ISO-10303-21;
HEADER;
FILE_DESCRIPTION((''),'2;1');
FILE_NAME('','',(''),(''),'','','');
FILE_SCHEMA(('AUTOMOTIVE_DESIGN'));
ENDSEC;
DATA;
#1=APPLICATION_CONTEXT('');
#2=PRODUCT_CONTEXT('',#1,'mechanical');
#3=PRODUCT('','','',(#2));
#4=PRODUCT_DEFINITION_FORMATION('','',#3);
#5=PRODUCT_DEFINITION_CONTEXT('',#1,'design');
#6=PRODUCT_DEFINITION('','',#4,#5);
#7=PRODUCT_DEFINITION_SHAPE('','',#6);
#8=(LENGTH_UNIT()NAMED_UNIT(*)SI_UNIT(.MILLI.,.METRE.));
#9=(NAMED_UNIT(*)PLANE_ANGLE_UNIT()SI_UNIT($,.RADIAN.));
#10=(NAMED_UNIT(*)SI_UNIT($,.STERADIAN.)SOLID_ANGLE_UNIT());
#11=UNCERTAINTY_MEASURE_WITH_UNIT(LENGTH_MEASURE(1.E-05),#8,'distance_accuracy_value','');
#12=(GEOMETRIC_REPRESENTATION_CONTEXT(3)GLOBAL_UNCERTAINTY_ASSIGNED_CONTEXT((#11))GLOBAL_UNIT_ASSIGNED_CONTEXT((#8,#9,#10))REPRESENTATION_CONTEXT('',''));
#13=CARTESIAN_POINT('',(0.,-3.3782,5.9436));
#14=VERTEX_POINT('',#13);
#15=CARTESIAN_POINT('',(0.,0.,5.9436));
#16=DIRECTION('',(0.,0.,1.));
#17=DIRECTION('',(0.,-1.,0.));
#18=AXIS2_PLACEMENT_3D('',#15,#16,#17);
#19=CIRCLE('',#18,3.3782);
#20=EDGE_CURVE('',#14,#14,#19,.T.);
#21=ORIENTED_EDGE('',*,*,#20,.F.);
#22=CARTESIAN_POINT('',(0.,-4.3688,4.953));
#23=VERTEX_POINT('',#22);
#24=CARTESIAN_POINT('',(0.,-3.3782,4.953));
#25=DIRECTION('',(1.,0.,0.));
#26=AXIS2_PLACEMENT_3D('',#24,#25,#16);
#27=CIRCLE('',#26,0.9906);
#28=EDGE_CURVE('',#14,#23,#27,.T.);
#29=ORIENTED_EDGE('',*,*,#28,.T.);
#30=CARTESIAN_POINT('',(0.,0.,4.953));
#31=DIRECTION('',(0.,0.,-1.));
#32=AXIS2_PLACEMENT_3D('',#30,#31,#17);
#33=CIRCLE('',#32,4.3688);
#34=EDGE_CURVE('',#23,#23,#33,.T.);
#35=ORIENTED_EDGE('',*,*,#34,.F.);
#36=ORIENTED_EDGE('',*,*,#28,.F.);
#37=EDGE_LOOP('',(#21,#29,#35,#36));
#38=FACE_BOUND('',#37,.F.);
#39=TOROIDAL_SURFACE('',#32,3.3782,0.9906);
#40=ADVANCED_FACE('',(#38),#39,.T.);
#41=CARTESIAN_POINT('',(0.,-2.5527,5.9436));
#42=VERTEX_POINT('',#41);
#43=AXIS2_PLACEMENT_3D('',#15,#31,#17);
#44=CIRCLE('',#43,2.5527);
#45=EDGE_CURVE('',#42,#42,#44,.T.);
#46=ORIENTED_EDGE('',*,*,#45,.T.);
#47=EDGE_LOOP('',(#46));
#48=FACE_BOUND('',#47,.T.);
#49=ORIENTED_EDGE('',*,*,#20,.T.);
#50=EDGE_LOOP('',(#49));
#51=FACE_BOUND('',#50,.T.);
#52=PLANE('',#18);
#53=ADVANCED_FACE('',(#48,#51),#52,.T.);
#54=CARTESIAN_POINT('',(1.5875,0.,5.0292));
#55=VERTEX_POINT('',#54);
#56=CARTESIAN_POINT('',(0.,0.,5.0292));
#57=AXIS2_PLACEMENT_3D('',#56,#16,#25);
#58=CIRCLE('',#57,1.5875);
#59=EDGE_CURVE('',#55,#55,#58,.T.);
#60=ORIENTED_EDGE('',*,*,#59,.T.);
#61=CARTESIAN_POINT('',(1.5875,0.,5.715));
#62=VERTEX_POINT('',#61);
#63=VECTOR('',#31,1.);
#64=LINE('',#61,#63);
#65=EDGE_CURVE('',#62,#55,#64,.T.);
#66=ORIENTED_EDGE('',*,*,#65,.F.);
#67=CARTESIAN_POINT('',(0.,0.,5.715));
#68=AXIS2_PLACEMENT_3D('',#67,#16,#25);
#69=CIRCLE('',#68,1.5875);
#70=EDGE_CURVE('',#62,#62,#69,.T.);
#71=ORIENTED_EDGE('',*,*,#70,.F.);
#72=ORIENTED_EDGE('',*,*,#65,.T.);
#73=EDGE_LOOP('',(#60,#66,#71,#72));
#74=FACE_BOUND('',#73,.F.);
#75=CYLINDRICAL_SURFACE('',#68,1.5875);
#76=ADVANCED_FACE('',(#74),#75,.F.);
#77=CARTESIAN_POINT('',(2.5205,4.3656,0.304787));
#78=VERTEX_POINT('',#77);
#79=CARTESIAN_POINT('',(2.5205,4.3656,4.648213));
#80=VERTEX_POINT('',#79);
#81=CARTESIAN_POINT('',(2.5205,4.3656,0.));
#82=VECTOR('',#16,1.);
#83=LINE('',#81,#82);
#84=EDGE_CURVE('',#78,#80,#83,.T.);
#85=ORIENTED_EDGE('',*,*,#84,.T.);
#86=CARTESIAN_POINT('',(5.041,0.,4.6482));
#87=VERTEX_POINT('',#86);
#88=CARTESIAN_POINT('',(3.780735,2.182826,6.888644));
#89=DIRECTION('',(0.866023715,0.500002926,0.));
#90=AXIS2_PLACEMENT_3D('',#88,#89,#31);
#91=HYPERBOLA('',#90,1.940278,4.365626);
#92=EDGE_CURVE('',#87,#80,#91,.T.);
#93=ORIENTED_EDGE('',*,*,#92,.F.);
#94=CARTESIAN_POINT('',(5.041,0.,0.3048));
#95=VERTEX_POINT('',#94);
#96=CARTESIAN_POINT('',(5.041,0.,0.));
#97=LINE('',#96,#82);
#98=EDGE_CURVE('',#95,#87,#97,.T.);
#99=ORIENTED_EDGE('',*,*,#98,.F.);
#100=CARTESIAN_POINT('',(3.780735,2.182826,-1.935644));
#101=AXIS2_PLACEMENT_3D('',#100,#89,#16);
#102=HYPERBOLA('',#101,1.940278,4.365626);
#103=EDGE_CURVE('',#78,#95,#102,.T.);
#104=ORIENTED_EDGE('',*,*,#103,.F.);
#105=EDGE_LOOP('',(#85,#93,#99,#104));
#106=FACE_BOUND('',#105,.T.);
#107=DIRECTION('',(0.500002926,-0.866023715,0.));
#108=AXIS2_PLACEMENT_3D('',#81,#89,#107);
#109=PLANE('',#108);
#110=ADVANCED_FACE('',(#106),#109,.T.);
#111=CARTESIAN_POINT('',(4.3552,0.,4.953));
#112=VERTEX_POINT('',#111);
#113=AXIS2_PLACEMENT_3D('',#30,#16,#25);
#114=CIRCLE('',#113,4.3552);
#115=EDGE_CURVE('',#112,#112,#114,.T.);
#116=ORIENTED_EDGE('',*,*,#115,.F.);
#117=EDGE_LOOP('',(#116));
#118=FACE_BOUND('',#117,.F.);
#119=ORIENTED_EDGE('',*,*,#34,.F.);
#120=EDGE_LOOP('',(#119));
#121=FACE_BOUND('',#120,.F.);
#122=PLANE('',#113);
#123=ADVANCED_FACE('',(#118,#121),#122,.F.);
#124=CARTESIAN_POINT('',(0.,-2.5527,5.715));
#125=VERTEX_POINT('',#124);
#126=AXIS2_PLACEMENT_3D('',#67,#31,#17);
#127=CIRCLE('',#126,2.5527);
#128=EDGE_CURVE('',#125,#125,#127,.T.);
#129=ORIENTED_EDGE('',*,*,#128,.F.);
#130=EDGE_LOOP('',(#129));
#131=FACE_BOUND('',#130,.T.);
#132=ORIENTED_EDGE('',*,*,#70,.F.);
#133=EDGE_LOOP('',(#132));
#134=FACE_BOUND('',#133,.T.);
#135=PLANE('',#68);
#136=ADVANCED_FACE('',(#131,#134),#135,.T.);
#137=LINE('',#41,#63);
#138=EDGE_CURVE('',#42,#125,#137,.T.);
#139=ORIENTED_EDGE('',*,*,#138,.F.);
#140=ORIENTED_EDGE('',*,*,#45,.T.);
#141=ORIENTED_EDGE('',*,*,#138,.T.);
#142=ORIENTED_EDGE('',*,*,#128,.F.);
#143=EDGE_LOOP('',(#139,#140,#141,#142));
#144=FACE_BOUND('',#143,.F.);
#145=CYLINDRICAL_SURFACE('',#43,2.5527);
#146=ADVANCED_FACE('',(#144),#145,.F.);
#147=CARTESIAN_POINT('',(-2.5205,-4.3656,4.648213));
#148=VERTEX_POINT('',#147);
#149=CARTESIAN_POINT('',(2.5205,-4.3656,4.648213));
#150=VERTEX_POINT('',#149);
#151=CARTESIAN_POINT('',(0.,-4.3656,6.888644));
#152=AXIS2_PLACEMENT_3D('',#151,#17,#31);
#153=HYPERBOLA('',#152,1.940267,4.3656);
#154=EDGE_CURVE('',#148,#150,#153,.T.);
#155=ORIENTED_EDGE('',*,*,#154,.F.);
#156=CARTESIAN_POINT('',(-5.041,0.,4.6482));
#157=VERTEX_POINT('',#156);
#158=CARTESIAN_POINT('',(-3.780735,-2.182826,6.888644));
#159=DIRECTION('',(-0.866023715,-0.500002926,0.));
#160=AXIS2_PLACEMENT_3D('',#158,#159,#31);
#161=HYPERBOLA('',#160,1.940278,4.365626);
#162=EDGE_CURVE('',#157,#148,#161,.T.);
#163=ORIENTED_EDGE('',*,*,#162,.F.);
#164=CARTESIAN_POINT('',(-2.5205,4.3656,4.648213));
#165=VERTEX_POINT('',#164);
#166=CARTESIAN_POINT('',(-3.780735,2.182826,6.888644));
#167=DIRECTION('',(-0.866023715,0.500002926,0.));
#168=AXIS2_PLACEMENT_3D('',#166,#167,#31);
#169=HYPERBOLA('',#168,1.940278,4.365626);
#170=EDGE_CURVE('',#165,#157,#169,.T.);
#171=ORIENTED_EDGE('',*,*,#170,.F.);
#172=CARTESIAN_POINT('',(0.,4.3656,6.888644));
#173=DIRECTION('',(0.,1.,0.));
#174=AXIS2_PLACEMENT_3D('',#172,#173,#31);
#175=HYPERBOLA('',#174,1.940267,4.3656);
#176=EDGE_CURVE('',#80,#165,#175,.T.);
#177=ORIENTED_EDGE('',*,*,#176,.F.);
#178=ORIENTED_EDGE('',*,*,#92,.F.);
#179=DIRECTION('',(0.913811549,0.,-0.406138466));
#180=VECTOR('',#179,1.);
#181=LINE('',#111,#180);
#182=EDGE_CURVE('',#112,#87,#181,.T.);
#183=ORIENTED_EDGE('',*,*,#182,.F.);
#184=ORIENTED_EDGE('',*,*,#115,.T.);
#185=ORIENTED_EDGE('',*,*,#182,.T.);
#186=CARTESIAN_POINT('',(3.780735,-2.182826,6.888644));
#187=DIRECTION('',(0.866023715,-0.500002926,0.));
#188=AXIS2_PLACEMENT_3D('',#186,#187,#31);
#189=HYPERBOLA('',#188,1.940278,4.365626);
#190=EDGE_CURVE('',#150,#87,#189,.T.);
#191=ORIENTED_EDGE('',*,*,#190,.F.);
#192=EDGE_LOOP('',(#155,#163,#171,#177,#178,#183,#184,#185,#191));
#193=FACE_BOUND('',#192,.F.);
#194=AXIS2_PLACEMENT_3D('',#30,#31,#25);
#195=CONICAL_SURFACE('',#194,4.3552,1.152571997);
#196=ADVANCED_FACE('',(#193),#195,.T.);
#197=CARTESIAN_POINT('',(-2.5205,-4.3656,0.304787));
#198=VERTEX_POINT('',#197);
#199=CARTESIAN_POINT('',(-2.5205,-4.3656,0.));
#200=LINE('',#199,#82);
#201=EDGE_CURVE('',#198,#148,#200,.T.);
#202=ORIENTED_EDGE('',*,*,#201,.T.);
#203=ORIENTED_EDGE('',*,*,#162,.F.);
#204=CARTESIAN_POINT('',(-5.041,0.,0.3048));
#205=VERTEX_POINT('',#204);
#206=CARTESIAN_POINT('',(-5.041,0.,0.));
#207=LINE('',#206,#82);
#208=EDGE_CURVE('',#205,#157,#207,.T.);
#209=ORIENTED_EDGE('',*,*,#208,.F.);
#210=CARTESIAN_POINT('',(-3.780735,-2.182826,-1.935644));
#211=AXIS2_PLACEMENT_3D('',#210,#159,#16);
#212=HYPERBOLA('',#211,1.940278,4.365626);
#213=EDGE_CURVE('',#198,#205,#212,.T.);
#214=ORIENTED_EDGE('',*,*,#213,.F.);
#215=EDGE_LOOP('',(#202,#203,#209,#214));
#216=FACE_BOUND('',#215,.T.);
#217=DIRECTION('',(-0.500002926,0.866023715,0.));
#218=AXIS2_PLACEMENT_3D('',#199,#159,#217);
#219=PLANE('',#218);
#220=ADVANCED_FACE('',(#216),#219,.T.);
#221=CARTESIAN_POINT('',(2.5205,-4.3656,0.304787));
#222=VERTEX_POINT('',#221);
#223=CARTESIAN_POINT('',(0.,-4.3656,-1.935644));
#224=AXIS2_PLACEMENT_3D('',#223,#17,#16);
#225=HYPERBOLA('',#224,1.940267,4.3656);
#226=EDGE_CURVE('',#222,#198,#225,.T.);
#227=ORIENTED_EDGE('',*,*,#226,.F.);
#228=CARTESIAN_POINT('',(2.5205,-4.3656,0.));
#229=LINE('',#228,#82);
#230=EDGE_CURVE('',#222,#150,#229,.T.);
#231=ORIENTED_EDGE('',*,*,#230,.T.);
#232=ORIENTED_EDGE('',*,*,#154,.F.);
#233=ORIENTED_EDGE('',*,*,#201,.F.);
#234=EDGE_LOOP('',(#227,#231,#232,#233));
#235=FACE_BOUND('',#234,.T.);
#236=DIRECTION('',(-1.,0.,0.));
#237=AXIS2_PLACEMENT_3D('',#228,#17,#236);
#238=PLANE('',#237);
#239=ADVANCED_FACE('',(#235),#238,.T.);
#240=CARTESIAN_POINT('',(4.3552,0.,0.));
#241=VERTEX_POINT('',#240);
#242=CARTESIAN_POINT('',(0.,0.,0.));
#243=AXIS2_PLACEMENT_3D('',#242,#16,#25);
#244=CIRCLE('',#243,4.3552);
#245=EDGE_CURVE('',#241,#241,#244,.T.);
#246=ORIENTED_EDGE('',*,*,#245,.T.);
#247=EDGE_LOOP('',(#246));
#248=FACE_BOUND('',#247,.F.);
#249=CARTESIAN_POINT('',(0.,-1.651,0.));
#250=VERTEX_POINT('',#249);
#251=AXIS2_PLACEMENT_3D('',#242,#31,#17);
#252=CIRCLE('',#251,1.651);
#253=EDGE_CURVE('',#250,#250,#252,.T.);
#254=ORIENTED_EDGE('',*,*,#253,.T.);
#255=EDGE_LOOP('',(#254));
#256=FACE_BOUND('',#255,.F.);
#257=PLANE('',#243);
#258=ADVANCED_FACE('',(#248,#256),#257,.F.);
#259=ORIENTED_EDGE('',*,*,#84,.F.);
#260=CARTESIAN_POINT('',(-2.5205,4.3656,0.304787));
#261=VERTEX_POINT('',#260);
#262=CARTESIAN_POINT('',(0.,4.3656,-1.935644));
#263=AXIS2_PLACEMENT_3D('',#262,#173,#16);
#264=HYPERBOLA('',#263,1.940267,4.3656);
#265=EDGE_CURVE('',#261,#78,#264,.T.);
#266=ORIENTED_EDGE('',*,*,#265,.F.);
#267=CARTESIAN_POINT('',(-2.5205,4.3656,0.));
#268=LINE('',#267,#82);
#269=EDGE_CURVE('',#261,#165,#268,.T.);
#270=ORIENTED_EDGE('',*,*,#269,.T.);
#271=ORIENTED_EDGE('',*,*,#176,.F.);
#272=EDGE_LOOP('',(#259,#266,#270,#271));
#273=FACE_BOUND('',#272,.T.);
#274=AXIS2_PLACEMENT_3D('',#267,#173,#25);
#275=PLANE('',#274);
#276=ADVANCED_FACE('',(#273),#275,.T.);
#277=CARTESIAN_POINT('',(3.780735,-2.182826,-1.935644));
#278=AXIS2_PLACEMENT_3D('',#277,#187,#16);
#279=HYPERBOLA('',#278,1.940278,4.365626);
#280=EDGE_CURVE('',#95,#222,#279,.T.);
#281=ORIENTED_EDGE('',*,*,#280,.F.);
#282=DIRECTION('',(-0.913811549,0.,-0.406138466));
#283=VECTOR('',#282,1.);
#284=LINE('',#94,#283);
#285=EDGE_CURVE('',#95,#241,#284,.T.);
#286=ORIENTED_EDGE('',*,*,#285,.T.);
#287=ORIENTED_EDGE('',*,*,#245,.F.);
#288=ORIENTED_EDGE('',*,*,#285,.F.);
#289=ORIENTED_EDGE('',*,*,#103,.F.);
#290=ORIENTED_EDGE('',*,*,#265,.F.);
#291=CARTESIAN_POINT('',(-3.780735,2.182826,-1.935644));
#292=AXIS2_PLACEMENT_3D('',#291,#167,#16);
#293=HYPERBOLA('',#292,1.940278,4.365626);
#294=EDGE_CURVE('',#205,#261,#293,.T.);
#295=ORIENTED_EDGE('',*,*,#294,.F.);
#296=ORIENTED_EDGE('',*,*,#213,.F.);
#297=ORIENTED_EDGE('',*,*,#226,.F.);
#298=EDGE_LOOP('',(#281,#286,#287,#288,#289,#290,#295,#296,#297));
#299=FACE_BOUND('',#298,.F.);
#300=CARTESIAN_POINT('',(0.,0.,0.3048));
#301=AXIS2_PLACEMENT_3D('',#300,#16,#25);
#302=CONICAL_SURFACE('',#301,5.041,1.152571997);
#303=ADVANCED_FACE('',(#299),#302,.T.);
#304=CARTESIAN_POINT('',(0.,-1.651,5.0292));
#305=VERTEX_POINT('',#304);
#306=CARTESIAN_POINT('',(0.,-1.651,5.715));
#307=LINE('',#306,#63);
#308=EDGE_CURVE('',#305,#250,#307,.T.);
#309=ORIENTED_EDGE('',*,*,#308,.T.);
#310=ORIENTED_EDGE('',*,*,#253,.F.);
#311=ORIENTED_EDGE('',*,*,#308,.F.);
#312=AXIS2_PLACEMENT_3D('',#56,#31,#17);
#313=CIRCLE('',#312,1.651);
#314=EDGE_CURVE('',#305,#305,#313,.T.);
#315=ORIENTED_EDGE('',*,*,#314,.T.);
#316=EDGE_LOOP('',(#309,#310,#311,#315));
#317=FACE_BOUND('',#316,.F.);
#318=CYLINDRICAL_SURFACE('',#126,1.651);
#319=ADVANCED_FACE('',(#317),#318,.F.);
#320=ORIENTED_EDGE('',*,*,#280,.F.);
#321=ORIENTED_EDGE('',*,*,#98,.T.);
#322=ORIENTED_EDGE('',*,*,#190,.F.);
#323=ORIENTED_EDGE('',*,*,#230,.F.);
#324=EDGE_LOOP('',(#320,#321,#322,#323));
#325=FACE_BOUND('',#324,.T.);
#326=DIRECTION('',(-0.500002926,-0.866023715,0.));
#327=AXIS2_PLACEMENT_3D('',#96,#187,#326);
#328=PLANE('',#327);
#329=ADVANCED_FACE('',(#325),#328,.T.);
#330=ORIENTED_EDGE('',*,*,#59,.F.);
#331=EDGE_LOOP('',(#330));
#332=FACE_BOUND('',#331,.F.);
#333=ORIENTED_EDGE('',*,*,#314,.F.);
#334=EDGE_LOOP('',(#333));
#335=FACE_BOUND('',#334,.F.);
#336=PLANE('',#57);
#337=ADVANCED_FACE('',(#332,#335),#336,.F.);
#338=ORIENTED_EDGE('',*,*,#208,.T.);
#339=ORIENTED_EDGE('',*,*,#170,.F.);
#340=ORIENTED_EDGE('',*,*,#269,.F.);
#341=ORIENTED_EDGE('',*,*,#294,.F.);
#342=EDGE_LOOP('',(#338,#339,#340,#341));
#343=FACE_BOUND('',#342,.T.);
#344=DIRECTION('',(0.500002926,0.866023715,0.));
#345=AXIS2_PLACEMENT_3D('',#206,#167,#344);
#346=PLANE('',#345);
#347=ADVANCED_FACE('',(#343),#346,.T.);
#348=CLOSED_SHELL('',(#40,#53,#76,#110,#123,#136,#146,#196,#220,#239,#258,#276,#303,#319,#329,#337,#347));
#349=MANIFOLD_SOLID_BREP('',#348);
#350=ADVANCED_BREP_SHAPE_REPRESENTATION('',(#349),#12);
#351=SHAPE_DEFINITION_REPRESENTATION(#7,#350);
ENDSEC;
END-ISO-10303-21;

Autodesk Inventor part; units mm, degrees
ref_plane "YZ Plane" through (0, 0, 0) normal (1, 0, 0) x (0, 1, 0)
ref_plane "XZ Plane" through (0, 0, 0) normal (0, 1, 0) x (-1, 0, 0)
ref_plane "XY Plane" through (0, 0, 0) normal (0, 0, 1) x (1, 0, 0)
sketch "Sketch1" plane through (0, 0, 0) normal (0, 0, 1) x (1, 0, 0)
  line L0 (-2.5205, 4.3656) -> (2.5205, 4.3656)
  line L1 (2.5205, 4.3656) -> (5.041, 0)
  line L2 (5.041, 0) -> (2.5205, -4.3656)
  line L3 (2.5205, -4.3656) -> (-2.5205, -4.3656)
  line L4 (-2.5205, -4.3656) -> (-5.041, 0)
  line L5 (-5.041, 0) -> (-2.5205, 4.3656)
  point P0 (0, 0)
  point P1 (0, 0)
  dimension "d0" = 8.7312
extrude "Extrusion1" add sketch "Sketch1" along normal blind 4.953
sketch "Sketch2" plane through (0, 0, 0) normal (1, 0, 0) x (0, 1, 0)
  line L0 (4.3656, 4.953) -> (4.3656, 0) construction
  line L1 (4.3656, 0) -> (-4.3656, 0) construction
  line L2 (-4.3656, 0) -> (-4.3656, 4.953) construction
  line L3 (-4.3656, 4.953) -> (4.3656, 4.953) construction
  line L4 (0, 4.953) -> (0, 5.9436)
  line L5 (-4.3656, 4.953) -> (0, 4.953)
  arc A0 (-3.3782, 5.9436) -> (-4.3688, 4.953) centre (-3.3782, 4.953) ccw
  line L6 (-3.3782, 5.9436) -> (0, 5.9436)
  line L7 (0, 5.9436) -> (0, 4.953)
  line L8 (0, 4.953) -> (-4.3688, 4.953)
  point P0 (0, 0)
  dimension "d6" = 0.9906
  dimension "d7" = 3.3782
revolve "Revolution1" add sketch "Sketch2" angle 360 about axis through (0, 0, 4.953) along (0, 0, 1)
sketch "Sketch3" plane through (0, 0, 0) normal (0, 1, 0) x (-1, 0, 0)
  arc A0 (-3.3782, 5.9436) -> (-4.3688, 4.953) centre (-3.3782, 4.953) ccw construction
  line L0 (-3.3782, 5.9436) -> (3.3782, 5.9436) construction
  arc A1 (4.3688, 4.953) -> (3.3782, 5.9436) centre (3.3782, 4.953) ccw construction
  line L1 (4.3688, 4.953) -> (5.041, 4.953) construction
  line L2 (5.041, 4.953) -> (5.041, 0) construction
  line L3 (5.041, 0) -> (-5.041, 0) construction
  line L4 (-5.041, 0) -> (-5.041, 4.953) construction
  line L5 (-5.041, 4.953) -> (-4.3688, 4.953) construction
  line L6 (-4.3552, 4.953) -> (-5.041, 4.6482)
  line L7 (-5.041, 4.6482) -> (-5.041, 4.953)
  line L8 (-5.041, 4.953) -> (-4.3552, 4.953)
  line L9 (0, 0) -> (0, 7.4764) construction
  line L10 (-5.041, 0.3048) -> (-4.3552, 0)
  line L11 (-5.041, 0.3048) -> (-5.041, 0)
  line L12 (-5.041, 0) -> (-4.3552, 0)
  dimension "d9" = 0.6858
  dimension "d10" = 0.3048
  dimension "d11" = 0.3048
  dimension "d12" = 0.6858
revolve "Revolution2" cut sketch "Sketch3" angle 360 about axis through (0, 0, 0) along (0, 0, 1)
sketch "Sketch4" plane through (0, 0, 5.9436) normal (0, 0, 1) x (1, 0, 0)
  circle A0 centre (0, 0) radius 3.3782 projected
hole "Hole1" at (0, 0, 5.9436) direction (0, 0, -1) diameter 3.302 end through all counterbore diameter 5.1054 counterbore depth 0.2286 thread size "8-32 UNC" class "2B" standard "ANSI Unified Screw Threads"
sketch "Sketch5" plane through (0, 0, 5.715) normal (0, 0, 1) x (1, 0, 0)
  circle A0 centre (0, 0) radius 1.651 projected
  circle A1 centre (0, 0) radius 1.5875
  dimension "d21" = 3.175
extrude "Extrusion2" add sketch "Sketch5" against normal blind 0.6858
equation "\"d6\" = d5"
equation "\"d5\" = 0.9906"
properties part number "8-32 locknut" material "Aluminum 6061"
